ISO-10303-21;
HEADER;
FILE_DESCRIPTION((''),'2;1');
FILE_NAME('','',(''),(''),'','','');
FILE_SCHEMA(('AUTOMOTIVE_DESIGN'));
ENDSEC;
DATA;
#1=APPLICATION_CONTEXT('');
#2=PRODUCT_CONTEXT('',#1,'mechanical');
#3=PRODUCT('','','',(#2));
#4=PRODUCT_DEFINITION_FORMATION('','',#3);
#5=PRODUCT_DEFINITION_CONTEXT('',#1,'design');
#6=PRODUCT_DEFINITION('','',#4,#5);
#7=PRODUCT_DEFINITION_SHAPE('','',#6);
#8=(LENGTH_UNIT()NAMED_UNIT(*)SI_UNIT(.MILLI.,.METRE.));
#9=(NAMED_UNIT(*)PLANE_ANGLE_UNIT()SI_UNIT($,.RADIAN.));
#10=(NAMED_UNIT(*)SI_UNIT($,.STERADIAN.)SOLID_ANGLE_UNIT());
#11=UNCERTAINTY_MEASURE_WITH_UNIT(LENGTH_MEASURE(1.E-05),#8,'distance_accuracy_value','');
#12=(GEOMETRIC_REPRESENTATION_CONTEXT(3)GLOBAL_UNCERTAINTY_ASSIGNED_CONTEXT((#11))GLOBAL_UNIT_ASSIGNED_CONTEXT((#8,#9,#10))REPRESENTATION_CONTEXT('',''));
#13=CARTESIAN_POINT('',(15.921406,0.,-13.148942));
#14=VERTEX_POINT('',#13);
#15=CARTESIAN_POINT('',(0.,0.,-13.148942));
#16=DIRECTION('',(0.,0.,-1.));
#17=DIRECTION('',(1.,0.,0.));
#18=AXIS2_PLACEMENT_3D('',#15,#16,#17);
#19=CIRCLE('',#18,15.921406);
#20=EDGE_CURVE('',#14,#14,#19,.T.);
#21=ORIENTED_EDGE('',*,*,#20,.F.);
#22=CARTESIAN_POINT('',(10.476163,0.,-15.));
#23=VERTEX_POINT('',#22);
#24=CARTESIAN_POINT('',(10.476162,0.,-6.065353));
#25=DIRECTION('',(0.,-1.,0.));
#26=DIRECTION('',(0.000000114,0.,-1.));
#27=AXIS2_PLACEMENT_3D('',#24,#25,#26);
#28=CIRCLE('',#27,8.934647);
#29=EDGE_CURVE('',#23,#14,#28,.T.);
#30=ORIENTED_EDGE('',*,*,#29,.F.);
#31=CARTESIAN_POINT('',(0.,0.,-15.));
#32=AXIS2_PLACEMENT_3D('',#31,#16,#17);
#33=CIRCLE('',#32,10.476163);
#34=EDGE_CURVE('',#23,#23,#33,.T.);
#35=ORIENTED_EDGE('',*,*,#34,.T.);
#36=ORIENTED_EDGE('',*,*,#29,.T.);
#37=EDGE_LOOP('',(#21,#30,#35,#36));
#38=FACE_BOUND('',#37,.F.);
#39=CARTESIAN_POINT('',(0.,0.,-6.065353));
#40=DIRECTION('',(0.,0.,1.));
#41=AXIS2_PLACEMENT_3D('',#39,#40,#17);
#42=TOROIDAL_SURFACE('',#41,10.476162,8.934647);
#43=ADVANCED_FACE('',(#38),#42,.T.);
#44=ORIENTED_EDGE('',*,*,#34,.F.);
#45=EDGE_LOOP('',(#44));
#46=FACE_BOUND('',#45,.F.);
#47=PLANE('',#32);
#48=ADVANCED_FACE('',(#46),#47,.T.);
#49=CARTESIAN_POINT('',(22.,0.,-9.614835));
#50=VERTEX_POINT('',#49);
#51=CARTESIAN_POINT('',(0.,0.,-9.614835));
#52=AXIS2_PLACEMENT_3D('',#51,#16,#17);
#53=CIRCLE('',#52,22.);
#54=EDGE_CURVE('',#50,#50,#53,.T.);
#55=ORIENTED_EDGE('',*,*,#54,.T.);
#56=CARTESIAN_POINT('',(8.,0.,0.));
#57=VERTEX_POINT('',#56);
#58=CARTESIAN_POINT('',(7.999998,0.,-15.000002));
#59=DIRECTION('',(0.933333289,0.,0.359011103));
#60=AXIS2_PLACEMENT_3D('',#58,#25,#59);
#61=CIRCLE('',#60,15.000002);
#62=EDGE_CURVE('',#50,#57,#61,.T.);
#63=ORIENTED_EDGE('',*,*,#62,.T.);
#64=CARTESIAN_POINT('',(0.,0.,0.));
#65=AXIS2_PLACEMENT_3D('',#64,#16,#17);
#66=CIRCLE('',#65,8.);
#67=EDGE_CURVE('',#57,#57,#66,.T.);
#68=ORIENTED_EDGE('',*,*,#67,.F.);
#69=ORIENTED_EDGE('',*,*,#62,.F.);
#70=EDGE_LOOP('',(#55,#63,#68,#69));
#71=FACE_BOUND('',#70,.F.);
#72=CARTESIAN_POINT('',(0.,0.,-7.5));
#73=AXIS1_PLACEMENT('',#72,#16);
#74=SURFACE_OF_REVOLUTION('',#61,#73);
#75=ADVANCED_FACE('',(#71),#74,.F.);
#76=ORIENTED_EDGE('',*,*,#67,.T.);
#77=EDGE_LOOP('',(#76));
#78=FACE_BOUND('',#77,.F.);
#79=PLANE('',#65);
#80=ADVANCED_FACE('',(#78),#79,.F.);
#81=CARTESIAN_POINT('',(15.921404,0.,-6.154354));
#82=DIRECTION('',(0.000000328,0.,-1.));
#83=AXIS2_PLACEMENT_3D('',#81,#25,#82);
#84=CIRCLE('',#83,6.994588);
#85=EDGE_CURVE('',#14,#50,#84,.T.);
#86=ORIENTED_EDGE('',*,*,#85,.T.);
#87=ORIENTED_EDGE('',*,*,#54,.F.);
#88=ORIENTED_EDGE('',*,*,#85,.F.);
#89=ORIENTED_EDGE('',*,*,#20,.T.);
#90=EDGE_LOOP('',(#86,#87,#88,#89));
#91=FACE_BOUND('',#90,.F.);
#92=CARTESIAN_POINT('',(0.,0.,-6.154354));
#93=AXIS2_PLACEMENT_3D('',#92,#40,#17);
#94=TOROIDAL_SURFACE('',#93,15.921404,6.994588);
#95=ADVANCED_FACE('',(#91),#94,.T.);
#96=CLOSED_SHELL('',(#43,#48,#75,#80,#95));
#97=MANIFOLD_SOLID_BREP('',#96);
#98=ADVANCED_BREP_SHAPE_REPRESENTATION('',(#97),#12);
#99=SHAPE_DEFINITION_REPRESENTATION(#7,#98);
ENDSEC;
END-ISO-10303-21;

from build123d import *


with BuildPart() as f1:
    # F0 (on Front) → F1 (revolve)
    with BuildSketch(Plane.XZ):
        with BuildLine():
            Line((8, 0), (0, 0))
            Line((0, 0), (0, -13.148942))
            Line((0, -13.148942), (15.921406, -13.148942))
            ThreePointArc((15.921406, -13.148942), (19.437057, -12.201208), (22, -9.614835))
            ThreePointArc((22, -9.614835), (16.491835, -2.635182), (8, 0))
        make_face()
        with BuildLine():
            Line((15.921406, -13.148942), (0, -13.148942))
            Line((0, -13.148942), (0, -15))
            Line((0, -15), (10.476163, -15))
            ThreePointArc((10.476163, -15), (13.351797, -14.524587), (15.921406, -13.148942))
        make_face()
    revolve(axis=Axis((0, 0, -7.5), (0, 0, -1)))


solid = f1.part
